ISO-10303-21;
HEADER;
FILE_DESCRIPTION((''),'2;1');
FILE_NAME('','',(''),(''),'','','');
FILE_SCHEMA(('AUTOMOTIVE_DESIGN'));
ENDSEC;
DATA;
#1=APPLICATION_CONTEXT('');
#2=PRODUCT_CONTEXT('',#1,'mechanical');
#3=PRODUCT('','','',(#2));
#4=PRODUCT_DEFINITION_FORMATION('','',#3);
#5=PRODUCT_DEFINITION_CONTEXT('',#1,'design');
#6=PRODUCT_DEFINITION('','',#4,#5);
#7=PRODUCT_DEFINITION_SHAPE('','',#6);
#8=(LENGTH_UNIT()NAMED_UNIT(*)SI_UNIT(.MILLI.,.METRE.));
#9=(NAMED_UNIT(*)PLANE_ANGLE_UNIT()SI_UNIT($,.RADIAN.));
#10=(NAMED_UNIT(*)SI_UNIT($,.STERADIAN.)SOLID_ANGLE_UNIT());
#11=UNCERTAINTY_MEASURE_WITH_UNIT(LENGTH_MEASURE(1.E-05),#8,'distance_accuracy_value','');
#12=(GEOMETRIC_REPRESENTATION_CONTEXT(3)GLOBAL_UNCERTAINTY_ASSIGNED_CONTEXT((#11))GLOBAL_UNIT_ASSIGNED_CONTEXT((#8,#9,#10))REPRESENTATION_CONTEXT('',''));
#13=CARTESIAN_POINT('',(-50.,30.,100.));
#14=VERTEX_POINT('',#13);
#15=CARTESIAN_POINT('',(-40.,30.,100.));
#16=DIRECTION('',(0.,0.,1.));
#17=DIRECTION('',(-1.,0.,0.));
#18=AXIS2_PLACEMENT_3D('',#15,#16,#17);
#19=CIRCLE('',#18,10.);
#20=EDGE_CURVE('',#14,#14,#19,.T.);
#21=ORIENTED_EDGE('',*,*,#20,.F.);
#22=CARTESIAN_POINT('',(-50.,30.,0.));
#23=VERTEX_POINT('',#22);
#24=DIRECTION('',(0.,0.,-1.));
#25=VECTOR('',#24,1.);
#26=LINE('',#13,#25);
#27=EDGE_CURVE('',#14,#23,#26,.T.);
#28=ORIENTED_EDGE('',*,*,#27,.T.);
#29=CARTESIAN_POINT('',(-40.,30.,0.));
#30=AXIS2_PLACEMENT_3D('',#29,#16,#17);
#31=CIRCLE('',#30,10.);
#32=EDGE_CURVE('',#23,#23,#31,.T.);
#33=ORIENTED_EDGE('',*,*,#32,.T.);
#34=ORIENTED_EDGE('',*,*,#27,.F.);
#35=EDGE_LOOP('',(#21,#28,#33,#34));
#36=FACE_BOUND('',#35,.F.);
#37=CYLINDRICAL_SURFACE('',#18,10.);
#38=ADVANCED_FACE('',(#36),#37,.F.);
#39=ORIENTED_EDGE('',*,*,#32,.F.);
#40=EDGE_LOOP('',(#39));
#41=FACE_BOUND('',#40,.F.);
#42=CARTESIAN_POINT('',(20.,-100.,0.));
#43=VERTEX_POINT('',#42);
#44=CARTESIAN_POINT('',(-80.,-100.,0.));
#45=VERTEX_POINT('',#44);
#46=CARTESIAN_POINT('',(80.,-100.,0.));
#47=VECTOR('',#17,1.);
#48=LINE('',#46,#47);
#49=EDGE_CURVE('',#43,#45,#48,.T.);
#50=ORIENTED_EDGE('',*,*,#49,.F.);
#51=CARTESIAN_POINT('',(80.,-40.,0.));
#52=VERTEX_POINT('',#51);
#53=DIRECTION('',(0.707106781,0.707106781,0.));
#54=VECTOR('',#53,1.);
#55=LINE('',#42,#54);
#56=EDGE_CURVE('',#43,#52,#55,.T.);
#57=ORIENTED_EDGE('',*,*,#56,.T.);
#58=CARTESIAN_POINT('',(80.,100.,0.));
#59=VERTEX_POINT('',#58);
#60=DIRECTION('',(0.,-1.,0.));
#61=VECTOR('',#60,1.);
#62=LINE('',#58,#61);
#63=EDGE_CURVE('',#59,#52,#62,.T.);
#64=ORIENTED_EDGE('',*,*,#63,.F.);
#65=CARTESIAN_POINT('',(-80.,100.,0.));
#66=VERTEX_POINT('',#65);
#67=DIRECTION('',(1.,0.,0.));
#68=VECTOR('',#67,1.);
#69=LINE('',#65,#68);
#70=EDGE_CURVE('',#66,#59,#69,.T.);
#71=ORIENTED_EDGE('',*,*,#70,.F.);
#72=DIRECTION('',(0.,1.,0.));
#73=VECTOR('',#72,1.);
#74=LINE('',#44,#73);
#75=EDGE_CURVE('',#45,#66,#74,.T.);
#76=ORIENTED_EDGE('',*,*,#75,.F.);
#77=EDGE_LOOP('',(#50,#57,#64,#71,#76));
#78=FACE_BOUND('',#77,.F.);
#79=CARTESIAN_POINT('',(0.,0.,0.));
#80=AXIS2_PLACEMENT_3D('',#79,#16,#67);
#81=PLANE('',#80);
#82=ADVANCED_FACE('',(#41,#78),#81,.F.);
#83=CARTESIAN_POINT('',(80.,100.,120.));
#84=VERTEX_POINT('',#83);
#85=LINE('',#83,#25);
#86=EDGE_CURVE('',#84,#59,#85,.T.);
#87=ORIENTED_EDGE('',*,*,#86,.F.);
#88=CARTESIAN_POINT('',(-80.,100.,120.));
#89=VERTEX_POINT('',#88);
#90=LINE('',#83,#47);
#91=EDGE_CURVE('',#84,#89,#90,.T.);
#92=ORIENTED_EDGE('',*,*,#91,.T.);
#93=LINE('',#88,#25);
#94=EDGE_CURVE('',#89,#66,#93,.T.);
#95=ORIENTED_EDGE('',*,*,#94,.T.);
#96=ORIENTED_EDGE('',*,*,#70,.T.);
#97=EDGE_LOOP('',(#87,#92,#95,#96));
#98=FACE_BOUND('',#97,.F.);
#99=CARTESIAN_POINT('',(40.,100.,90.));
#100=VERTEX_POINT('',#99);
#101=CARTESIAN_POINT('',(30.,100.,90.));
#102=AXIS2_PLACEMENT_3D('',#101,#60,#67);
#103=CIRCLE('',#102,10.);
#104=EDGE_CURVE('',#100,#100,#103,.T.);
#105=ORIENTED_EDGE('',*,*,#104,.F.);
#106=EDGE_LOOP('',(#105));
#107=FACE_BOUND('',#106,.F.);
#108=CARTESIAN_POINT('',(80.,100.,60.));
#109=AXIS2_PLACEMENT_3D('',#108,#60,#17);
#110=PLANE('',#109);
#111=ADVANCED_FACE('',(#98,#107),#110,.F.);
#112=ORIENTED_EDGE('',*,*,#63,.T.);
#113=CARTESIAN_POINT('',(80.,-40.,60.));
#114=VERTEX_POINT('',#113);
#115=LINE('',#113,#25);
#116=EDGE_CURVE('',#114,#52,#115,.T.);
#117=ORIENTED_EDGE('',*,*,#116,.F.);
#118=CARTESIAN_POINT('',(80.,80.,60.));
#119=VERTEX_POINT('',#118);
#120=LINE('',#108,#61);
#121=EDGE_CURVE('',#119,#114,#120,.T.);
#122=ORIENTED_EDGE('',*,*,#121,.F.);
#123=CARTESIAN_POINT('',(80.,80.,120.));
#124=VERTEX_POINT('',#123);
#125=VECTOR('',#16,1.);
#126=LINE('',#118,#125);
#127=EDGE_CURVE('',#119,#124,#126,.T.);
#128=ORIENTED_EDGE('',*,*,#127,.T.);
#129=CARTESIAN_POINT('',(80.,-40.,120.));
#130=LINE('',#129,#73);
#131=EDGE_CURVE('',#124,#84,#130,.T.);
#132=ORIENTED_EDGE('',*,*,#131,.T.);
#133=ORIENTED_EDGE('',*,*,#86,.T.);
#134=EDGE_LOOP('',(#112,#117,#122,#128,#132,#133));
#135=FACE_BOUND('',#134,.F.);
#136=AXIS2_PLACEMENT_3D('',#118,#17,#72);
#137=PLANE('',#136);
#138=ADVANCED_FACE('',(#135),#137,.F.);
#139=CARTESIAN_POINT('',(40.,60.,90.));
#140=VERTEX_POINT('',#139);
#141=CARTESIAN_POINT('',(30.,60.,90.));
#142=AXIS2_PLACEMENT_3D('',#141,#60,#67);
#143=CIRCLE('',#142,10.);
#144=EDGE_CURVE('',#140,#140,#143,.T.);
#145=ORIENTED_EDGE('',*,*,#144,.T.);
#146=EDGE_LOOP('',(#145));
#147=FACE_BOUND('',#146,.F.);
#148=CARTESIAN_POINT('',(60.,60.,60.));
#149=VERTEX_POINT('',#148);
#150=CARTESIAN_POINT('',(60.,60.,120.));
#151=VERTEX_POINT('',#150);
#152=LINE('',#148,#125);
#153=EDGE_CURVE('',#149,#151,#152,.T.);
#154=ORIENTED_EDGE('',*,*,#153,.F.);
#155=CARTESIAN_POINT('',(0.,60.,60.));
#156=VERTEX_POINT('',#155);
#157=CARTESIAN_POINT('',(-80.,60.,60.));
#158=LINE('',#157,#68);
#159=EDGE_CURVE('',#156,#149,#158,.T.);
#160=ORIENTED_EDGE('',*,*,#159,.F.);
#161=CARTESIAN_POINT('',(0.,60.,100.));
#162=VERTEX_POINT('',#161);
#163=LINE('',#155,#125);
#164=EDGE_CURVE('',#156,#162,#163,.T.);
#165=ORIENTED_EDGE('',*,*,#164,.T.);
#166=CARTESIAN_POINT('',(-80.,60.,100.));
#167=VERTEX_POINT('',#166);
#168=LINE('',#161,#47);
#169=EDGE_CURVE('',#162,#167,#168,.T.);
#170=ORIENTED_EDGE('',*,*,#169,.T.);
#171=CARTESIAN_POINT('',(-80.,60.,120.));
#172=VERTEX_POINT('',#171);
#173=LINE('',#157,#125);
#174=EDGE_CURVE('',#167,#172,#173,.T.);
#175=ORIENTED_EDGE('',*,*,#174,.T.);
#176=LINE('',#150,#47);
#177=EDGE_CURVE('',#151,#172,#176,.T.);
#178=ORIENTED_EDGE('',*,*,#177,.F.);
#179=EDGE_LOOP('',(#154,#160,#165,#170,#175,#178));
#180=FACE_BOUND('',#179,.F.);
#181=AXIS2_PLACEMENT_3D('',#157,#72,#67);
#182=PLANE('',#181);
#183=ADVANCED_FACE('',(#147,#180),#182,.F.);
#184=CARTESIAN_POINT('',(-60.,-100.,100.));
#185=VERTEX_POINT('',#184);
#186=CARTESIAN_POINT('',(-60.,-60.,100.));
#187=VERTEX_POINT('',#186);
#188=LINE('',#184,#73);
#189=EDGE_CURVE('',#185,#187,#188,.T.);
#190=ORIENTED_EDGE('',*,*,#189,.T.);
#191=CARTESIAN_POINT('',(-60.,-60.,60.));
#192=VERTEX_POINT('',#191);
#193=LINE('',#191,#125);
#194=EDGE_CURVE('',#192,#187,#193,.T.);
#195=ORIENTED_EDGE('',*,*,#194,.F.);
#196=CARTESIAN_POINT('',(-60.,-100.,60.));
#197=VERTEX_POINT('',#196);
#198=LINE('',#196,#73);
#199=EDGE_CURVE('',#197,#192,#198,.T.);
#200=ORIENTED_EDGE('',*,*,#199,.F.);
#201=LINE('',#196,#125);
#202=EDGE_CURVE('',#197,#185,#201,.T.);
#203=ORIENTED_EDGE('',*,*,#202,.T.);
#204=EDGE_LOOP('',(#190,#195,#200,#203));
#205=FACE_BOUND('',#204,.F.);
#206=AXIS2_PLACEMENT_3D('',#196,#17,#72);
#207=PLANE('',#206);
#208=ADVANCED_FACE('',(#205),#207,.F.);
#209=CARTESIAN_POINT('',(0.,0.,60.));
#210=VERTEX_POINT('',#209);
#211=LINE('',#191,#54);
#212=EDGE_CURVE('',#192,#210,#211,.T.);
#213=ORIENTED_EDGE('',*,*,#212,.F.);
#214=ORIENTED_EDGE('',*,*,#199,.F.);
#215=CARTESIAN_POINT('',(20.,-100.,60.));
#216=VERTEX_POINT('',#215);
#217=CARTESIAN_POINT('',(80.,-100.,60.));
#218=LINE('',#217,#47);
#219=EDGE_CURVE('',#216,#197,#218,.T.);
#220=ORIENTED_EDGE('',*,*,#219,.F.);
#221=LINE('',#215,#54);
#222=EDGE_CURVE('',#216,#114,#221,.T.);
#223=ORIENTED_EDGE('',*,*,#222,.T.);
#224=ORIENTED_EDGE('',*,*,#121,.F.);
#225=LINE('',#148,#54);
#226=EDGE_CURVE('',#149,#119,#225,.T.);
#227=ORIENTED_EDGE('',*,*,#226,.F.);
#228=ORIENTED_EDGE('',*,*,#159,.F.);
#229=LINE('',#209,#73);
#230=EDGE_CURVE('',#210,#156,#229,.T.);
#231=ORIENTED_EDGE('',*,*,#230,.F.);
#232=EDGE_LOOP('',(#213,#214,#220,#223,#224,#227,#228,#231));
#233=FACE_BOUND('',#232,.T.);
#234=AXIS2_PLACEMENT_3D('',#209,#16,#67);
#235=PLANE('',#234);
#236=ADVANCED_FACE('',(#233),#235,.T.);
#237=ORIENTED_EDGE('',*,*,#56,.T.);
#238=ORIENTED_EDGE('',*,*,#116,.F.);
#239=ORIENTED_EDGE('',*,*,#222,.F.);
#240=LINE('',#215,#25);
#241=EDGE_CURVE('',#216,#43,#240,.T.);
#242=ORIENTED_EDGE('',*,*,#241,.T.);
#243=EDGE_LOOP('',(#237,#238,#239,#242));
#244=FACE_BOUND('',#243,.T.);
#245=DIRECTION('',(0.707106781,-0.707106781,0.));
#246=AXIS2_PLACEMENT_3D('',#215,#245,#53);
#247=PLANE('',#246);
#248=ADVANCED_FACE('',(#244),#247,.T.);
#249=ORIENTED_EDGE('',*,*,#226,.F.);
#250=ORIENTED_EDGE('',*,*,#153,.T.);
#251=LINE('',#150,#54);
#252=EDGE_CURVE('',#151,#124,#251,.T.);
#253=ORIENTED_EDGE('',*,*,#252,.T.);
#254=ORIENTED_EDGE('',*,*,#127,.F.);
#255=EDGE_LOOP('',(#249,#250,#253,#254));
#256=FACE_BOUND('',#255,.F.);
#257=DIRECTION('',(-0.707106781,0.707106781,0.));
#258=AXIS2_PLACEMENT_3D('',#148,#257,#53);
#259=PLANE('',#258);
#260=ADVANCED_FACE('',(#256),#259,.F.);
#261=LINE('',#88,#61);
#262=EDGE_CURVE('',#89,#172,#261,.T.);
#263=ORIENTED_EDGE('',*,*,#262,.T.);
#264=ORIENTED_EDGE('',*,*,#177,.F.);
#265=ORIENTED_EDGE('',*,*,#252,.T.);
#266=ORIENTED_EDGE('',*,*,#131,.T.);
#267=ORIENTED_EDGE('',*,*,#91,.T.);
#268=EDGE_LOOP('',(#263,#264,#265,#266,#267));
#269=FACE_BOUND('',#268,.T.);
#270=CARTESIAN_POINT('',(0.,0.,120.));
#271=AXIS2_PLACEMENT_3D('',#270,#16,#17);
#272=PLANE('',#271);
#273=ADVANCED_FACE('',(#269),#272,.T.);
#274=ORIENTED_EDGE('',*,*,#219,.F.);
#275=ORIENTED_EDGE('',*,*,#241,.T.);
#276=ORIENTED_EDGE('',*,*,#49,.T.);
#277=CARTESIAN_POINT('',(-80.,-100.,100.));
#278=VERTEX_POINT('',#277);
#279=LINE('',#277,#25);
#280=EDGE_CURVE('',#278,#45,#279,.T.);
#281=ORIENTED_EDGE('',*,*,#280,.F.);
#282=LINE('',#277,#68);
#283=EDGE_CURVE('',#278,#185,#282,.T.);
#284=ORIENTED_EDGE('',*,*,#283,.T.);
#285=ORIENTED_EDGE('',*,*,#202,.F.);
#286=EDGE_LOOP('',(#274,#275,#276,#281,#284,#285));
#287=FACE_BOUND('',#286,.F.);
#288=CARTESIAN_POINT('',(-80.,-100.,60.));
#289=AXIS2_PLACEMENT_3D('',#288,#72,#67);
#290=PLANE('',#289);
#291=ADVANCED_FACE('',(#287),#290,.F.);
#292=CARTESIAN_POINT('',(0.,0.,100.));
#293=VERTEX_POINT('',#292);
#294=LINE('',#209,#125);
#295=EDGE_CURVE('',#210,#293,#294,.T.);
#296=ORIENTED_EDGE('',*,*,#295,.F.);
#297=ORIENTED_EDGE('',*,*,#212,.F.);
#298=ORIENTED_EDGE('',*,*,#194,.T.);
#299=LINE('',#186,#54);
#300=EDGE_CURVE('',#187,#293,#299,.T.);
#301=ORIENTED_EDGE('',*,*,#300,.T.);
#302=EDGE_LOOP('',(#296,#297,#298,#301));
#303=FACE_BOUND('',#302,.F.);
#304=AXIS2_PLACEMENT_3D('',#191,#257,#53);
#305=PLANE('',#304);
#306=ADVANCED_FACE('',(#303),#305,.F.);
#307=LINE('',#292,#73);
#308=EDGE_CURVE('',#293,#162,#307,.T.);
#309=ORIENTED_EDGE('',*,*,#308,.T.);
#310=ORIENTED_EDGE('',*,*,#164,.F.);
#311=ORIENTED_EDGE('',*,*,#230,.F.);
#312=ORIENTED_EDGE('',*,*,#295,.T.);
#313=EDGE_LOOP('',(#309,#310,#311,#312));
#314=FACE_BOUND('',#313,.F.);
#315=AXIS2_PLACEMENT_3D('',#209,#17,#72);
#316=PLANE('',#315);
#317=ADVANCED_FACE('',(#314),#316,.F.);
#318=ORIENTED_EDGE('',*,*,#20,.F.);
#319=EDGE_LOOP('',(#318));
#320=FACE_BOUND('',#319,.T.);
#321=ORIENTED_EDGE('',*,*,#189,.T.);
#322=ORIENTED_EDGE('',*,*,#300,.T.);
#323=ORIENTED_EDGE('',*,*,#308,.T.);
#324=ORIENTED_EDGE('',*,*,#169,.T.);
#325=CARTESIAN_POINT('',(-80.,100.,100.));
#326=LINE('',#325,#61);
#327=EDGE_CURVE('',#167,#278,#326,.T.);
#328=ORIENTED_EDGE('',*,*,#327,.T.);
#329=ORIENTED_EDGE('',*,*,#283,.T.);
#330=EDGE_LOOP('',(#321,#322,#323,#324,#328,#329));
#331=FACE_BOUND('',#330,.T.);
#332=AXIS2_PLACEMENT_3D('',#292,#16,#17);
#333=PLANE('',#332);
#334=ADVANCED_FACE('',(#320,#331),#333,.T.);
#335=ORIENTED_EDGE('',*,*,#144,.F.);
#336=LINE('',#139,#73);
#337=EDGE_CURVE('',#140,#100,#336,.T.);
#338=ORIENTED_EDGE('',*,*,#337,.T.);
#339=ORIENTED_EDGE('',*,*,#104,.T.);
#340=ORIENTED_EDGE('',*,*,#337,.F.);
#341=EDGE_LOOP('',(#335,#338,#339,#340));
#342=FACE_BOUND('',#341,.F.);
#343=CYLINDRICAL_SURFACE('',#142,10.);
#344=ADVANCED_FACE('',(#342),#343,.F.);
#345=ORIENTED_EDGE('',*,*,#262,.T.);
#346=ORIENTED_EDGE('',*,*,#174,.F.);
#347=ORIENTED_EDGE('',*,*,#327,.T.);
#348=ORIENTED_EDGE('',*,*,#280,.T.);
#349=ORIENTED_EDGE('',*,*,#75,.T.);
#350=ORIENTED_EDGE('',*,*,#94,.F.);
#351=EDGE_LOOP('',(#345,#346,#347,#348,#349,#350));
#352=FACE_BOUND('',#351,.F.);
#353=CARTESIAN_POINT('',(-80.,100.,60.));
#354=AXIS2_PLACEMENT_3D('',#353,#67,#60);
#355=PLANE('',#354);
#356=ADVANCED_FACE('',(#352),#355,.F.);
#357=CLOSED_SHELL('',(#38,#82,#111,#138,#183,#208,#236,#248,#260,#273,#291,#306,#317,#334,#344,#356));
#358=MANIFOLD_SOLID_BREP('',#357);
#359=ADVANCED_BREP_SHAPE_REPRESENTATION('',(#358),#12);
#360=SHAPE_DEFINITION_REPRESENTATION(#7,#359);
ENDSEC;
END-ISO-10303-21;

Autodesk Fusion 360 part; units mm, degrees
sketch "Sketch1" plane through (0, 0, 0) normal (0, 0, 1) x (1, 0, 0) in component "Component"
  line L0 (80, -100) -> (-80, -100)
  line L1 (-80, -100) -> (-80, 100)
  line L2 (-80, 100) -> (80, 100)
  line L3 (80, 100) -> (80, -100)
  line L4 (80, -100) -> (-80, 100) construction
  line L5 (-80, -100) -> (80, 100) construction
  dimension "d1" = 160
  dimension "d2" = 200
extrude "Extrude1" add sketch "Sketch1" along normal blind 60 in component "Component"
sketch "Sketch5" plane through (0, 0, 60) normal (0, 0, 1) x (-1, 0, 0) in component "Component"
  line L0 (-80, -100) -> (80, -100)
  line L1 (80, -100) -> (80, 100)
  line L2 (80, 100) -> (-80, 100)
  line L3 (-80, 100) -> (-80, -100)
  line L4 (-20, 100) -> (-80, 40)
extrude "Extrude3" cut sketch "Sketch5" against normal up to surface (60 mm away) contours L2 L3 L4 in component "Component"
sketch "Sketch6" plane through (0, 0, 60) normal (0, 0, 1) x (-1, 0, 0) in component "Component"
  line L0 (-20, 100) -> (-80, 40)
  line L1 (-80, 40) -> (-80, -100)
  line L2 (-80, -100) -> (80, -100)
  line L3 (80, -100) -> (80, 100)
  line L4 (80, 100) -> (-20, 100)
  line L5 (60, 100) -> (60, 60)
  line L6 (60, 60) -> (0, 0)
  line L7 (0, 0) -> (0, -60)
  line L8 (0, -60) -> (80, -60)
  line L9 (80, 100) -> (60, 100)
extrude "Extrude4" add sketch "Sketch6" along normal blind 40 contours L3 L4 L5 L6 L7 L8 L9 in component "Component"
sketch "Sketch7" plane through (0, 0, 60) normal (0, 0, 1) x (-1, 0, 0) in component "Component"
  line L0 (60, 60) -> (60, 100)
  line L1 (60, 100) -> (-20, 100)
  line L2 (-20, 100) -> (-80, 40)
  line L3 (-80, 40) -> (-80, -100)
  line L4 (-80, -100) -> (80, -100)
  line L5 (80, -100) -> (80, -60)
  line L6 (80, -60) -> (0, -60)
  line L7 (0, -60) -> (0, 0)
  line L8 (0, 0) -> (60, 60)
  line L9 (-60, -60) -> (-80, -80)
  line L10 (-80, -100) -> (80, -100)
  line L11 (80, -60) -> (-60, -60)
extrude "Extrude5" add sketch "Sketch7" along normal blind 60 contours L3 L4 L5 L6 L9 L10 L11 in component "Component"
sketch "Sketch8" plane through (0, 0, 100) normal (0, 0, 1) x (-1, 0, 0) in component "Component"
  line L0 (80, 100) -> (60, 100)
  line L1 (60, 100) -> (60, 60)
  line L2 (60, 60) -> (0, 0)
  line L3 (0, 0) -> (0, -60)
  line L4 (0, -60) -> (80, -60)
  line L5 (80, -60) -> (80, 100)
  circle A0 centre (40, -30) radius 10
  dimension "d14" = 40
  dimension "d15" = 30
  dimension "d16" = 20
extrude "Extrude6" cut sketch "Sketch8" against normal up to surface (100 mm away) contours A0 in component "Component"
sketch "Sketch9" plane through (0, 60, 0) normal (0, -1, 0) x (1, 0, 0) in component "Component"
  line L0 (-80, 100) -> (0, 100)
  line L1 (0, 100) -> (0, 60)
  line L2 (0, 60) -> (60, 60)
  line L3 (60, 60) -> (60, 120)
  line L4 (60, 120) -> (-80, 120)
  line L5 (-80, 120) -> (-80, 100)
  circle A0 centre (30, 90) radius 10
  dimension "d19" = 30
  dimension "d20" = 30
  dimension "d21" = 20
extrude "Extrude7" cut sketch "Sketch9" against normal up to surface (40 mm away) contours A0 in component "Component"
component "Component" placed x (1, 0, 0) y (0, 1, 0) z (0, 0, 1) at (0, 0, 0)
